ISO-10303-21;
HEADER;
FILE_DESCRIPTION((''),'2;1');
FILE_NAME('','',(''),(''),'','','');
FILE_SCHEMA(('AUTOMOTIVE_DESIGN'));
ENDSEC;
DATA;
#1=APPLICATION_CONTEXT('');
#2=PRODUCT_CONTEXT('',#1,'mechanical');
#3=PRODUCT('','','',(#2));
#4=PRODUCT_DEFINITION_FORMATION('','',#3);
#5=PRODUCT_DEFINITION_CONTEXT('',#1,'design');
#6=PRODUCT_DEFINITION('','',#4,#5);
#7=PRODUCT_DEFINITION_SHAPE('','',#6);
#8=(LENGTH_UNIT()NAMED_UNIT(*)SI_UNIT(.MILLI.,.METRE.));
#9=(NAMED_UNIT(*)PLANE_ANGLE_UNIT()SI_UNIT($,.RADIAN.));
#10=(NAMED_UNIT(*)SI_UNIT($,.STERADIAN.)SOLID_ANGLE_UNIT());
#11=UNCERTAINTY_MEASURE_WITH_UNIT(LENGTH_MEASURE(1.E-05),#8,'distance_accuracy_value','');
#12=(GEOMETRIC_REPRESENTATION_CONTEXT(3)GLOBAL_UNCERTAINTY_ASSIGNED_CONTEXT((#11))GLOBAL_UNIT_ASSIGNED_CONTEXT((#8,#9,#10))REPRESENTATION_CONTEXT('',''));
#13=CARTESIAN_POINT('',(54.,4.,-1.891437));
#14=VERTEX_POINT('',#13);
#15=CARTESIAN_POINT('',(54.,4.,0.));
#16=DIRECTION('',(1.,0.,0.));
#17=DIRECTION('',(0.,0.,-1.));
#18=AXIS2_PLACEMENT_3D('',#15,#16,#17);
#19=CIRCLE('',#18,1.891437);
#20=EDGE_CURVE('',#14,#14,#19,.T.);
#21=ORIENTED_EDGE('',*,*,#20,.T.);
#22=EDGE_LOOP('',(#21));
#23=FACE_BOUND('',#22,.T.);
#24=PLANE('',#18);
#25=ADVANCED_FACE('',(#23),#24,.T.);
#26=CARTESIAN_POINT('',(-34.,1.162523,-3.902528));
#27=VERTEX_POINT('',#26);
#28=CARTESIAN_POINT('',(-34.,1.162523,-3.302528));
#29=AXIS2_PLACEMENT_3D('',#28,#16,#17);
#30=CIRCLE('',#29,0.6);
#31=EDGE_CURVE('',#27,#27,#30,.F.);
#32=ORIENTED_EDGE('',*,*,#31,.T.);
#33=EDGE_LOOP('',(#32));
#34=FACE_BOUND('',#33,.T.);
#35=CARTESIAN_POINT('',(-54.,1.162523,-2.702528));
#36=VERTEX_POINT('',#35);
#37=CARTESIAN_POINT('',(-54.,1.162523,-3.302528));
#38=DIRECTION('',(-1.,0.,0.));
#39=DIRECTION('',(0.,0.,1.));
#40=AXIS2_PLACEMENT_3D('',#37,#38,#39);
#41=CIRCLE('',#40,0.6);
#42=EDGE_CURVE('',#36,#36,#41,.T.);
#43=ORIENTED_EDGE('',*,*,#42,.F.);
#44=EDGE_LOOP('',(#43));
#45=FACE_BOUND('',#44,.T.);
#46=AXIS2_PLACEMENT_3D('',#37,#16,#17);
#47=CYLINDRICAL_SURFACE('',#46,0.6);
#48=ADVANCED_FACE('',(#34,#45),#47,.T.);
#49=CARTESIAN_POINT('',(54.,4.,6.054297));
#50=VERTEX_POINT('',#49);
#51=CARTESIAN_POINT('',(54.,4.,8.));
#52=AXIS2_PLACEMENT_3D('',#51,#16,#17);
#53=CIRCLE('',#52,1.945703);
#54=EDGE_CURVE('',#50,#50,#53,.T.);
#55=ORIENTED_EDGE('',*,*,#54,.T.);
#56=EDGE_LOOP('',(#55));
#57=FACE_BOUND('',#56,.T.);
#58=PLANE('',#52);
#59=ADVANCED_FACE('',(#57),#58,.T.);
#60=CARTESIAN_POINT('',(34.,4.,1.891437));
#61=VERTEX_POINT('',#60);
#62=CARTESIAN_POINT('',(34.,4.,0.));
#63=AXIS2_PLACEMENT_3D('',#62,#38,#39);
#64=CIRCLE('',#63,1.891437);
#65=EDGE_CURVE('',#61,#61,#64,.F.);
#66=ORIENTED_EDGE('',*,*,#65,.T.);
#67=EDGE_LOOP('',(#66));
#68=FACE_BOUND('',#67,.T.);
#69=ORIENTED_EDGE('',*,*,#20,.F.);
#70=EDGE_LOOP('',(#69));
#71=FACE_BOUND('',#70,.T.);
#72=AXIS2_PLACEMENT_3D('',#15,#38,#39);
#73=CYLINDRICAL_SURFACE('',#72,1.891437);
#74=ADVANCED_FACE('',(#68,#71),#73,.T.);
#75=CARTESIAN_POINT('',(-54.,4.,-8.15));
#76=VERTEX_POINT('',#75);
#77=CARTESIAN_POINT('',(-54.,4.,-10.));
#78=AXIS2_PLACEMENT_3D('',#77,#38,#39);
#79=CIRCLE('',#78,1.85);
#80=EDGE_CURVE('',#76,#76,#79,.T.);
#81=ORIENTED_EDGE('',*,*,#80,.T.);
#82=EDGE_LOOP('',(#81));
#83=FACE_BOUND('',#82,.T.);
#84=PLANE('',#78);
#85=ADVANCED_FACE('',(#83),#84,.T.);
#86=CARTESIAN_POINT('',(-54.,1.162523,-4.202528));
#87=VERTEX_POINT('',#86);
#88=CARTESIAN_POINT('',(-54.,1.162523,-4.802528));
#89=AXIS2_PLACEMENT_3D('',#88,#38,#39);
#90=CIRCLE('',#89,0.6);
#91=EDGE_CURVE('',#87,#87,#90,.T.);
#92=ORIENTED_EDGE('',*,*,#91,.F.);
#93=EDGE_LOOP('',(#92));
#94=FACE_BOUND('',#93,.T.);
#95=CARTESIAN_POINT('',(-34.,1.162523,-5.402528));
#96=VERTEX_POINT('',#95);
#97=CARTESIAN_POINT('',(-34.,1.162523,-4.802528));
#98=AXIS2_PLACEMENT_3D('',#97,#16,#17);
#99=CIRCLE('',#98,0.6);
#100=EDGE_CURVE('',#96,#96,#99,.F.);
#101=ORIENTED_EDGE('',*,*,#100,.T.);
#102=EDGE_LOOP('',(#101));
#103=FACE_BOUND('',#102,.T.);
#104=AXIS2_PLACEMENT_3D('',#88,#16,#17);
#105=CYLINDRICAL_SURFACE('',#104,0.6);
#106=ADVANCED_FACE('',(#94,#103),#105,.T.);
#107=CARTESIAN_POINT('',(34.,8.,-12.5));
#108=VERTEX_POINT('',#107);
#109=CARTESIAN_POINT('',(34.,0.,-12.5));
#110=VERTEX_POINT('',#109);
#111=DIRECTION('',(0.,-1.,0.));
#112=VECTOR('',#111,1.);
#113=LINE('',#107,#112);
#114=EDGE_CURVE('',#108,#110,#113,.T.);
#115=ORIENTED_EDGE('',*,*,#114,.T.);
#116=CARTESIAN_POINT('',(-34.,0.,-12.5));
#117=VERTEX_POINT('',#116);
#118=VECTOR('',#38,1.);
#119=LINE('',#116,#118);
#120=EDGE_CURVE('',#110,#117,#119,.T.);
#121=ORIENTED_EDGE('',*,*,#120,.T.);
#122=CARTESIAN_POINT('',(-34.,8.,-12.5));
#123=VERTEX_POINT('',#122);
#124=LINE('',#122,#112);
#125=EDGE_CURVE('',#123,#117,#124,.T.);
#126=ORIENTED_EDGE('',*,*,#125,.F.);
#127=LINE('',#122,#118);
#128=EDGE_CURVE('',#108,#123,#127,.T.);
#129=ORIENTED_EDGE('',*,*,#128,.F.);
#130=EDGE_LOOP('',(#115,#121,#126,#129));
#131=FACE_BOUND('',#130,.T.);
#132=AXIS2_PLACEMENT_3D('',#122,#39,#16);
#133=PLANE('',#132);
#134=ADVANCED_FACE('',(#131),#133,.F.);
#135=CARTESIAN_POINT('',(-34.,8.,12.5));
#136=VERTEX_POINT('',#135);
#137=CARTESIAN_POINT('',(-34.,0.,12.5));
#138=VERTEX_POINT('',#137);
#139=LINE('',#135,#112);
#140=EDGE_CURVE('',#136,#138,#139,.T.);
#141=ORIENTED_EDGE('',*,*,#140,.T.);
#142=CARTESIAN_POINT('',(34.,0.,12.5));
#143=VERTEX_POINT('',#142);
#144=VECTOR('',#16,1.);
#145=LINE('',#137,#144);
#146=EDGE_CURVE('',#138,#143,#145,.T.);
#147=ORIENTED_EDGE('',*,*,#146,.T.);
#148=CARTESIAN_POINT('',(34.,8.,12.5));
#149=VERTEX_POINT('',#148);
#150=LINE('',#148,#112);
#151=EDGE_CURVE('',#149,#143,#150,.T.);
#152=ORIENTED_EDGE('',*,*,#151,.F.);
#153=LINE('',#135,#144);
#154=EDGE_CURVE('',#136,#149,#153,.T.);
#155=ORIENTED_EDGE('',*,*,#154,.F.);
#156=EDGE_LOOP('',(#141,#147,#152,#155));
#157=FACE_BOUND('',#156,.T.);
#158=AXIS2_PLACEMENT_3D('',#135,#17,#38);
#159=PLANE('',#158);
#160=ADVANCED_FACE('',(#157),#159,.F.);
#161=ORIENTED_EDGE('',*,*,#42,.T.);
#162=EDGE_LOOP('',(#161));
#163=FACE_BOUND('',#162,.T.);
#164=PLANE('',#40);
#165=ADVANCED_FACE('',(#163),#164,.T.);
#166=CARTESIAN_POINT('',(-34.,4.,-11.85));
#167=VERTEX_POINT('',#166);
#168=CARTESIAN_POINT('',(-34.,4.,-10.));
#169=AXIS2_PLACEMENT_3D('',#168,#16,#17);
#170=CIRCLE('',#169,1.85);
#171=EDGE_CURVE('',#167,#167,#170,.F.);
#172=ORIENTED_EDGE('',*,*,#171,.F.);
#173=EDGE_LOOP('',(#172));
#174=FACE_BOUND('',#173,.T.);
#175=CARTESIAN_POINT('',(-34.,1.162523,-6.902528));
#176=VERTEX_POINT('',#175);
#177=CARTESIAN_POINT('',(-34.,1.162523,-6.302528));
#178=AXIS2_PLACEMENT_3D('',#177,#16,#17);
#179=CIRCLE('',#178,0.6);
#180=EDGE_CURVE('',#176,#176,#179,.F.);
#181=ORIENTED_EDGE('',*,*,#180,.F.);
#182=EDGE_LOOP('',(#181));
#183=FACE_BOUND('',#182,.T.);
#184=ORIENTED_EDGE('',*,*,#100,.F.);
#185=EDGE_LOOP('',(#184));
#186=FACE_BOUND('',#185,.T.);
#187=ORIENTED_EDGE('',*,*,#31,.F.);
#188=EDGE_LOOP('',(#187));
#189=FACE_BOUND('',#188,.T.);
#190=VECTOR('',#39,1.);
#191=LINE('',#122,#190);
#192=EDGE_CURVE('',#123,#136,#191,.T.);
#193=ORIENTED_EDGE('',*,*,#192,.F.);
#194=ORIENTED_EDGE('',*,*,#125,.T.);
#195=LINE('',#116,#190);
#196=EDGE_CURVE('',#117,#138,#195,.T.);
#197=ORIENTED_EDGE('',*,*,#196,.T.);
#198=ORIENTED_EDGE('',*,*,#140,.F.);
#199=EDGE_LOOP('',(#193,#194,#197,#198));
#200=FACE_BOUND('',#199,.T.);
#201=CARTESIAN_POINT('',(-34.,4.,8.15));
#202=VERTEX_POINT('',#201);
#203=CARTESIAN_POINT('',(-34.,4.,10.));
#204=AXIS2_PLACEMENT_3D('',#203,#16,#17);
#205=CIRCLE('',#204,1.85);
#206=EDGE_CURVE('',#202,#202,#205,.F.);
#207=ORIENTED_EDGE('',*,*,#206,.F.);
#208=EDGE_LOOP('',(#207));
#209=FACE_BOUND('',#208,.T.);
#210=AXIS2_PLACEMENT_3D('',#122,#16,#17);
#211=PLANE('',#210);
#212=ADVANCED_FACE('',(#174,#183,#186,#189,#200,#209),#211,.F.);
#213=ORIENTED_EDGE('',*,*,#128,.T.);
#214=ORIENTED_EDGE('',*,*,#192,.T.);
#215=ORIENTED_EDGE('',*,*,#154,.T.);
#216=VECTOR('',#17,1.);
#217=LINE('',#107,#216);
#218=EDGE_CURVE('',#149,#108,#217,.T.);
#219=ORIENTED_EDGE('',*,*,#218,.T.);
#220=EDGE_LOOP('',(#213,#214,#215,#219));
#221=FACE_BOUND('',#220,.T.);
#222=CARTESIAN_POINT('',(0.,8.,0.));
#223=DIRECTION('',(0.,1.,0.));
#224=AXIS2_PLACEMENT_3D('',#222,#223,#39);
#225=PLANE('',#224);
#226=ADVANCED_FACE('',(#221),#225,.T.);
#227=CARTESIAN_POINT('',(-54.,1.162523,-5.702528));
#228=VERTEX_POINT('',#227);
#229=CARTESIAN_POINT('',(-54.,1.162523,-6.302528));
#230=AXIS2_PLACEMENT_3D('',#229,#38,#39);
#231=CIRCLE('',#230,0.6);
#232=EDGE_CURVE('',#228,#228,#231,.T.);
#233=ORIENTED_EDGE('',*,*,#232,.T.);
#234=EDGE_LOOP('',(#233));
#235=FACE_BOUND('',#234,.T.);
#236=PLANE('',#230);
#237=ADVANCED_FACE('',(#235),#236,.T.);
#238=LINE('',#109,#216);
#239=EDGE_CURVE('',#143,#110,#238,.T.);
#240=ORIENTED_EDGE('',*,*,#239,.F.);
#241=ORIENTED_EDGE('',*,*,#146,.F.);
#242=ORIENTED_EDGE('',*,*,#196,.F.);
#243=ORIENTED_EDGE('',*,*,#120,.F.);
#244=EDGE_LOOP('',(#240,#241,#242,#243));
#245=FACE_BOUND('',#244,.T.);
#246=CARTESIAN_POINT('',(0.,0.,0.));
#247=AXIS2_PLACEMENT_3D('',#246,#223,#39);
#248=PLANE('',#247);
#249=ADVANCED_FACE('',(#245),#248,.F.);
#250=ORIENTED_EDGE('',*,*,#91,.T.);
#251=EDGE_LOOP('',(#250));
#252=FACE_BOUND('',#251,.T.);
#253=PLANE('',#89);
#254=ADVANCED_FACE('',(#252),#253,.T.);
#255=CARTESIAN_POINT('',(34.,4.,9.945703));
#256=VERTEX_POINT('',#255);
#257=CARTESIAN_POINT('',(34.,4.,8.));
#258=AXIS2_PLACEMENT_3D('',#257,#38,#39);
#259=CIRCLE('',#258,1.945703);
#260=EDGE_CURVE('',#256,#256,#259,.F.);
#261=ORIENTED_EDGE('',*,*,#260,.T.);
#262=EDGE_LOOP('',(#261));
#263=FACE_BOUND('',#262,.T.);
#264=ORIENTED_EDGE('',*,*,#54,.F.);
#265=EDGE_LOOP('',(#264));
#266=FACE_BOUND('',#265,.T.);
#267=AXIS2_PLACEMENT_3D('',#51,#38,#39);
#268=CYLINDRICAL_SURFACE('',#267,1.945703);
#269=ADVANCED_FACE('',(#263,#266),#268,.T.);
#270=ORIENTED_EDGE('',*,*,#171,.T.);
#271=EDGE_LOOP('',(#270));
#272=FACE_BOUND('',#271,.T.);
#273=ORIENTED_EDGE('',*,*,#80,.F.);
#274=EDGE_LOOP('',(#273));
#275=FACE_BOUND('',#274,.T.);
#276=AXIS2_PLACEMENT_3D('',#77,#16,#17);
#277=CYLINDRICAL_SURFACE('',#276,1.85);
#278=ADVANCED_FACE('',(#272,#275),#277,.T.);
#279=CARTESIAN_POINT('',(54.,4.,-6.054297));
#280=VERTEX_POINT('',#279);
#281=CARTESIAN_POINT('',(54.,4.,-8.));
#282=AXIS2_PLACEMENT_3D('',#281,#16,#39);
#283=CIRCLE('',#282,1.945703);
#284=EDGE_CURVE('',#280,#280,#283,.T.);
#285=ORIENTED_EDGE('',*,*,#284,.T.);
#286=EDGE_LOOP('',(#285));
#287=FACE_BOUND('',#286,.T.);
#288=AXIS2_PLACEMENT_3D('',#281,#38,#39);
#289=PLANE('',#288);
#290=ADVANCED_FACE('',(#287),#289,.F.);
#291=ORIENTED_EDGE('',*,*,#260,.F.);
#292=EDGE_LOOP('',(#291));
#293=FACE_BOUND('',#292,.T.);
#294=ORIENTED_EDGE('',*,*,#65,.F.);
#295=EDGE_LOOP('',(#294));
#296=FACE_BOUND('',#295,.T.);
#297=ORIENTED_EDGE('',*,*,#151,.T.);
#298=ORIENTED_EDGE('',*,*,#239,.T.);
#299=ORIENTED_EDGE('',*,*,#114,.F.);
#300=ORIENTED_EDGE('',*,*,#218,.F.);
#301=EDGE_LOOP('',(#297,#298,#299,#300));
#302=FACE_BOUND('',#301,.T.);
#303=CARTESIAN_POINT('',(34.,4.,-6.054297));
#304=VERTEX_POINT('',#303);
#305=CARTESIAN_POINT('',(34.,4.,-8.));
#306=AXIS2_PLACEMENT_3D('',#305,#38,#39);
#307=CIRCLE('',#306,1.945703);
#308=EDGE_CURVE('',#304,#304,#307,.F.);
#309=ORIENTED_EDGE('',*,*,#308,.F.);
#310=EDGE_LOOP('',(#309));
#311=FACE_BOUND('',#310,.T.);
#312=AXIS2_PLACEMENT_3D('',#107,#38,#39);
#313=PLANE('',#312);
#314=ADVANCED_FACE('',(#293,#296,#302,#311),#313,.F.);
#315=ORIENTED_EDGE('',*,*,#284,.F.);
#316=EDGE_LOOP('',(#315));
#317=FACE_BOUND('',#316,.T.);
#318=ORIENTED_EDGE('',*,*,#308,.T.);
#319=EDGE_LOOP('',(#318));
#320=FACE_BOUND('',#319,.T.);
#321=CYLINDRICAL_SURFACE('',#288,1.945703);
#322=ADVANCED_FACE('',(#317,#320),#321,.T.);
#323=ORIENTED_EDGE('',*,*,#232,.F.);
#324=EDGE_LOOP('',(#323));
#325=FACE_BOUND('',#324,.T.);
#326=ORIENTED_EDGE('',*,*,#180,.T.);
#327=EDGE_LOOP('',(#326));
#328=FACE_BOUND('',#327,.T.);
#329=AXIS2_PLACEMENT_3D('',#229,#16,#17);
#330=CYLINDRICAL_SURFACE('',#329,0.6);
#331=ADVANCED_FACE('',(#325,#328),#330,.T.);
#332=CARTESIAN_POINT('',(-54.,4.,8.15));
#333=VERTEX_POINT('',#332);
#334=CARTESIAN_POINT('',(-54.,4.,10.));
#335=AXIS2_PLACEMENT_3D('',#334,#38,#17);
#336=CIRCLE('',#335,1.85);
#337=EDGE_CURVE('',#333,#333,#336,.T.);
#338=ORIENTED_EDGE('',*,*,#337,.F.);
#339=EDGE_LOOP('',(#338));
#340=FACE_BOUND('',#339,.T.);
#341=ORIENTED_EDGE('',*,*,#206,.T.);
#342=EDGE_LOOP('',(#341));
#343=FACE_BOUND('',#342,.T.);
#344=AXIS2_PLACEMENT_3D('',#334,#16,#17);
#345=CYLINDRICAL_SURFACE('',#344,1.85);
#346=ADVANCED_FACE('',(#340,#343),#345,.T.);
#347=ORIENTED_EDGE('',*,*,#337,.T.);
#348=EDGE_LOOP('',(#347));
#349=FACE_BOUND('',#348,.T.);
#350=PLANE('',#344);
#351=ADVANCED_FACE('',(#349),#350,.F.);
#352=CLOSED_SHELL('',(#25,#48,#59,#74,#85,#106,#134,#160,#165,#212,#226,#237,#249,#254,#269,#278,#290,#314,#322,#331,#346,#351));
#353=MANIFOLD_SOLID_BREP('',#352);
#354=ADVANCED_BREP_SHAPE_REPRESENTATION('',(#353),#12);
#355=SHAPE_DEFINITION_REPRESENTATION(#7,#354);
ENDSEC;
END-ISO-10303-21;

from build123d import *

# Parameters (mm, degrees)
ESQUISSE1_W        = 68
ESQUISSE1_H        = 25
BOSS_EXTRU_1_DEPTH = 8
ESQUISSE2_R        = 1.85
ESQUISSE2_R_2      = 0.6
BOSS_EXTRU_2_DEPTH = 20
ESQUISSE3_R        = 1.945702626
ESQUISSE3_R_2      = 1.891437126
BOSS_EXTRU_3_DEPTH = 20


with BuildPart() as part:
    # Esquisse1 → Boss.-Extru.1 (new body)
    with BuildSketch(Plane(origin=(0, 0, 0), x_dir=(1, 0, 0), z_dir=(0, 1, 0))):
        Rectangle(ESQUISSE1_W, ESQUISSE1_H)
    extrude(amount=BOSS_EXTRU_1_DEPTH)

    # Esquisse2 → Boss.-Extru.2 (add)
    with BuildSketch(Plane.ZY.offset(34)):
        with Locations(Location((-10, 4, 0), (0, 0, 180))):
            Circle(ESQUISSE2_R)
        with Locations(Location((10, 4, 0), (0, 0, 180))):
            Circle(ESQUISSE2_R)
        with Locations(Location((-6.30252834, 1.162523301, 0), (0, 0, 180))):
            Circle(ESQUISSE2_R_2)
        with Locations(Location((-4.80252834, 1.162523301, 0), (0, 0, 180))):
            Circle(ESQUISSE2_R_2)
        with Locations(Location((-3.30252834, 1.162523301, 0), (0, 0, 180))):
            Circle(ESQUISSE2_R_2)
    extrude(amount=BOSS_EXTRU_2_DEPTH)

    # Esquisse3 → Boss.-Extru.3 (add)
    with BuildSketch(Plane(origin=(34, 0, 0), x_dir=(0, 0, -1), z_dir=(1, 0, 0))):
        with Locations(Location((-8, 4, 0), (0, 0, 180))):
            Circle(ESQUISSE3_R)
        with Locations(Location((0, 4, 0), (0, 0, 180))):
            Circle(ESQUISSE3_R_2)
        with Locations(Location((8, 4, 0), (0, 0, 180))):
            Circle(ESQUISSE3_R)
    extrude(amount=BOSS_EXTRU_3_DEPTH)


solid = part.part
